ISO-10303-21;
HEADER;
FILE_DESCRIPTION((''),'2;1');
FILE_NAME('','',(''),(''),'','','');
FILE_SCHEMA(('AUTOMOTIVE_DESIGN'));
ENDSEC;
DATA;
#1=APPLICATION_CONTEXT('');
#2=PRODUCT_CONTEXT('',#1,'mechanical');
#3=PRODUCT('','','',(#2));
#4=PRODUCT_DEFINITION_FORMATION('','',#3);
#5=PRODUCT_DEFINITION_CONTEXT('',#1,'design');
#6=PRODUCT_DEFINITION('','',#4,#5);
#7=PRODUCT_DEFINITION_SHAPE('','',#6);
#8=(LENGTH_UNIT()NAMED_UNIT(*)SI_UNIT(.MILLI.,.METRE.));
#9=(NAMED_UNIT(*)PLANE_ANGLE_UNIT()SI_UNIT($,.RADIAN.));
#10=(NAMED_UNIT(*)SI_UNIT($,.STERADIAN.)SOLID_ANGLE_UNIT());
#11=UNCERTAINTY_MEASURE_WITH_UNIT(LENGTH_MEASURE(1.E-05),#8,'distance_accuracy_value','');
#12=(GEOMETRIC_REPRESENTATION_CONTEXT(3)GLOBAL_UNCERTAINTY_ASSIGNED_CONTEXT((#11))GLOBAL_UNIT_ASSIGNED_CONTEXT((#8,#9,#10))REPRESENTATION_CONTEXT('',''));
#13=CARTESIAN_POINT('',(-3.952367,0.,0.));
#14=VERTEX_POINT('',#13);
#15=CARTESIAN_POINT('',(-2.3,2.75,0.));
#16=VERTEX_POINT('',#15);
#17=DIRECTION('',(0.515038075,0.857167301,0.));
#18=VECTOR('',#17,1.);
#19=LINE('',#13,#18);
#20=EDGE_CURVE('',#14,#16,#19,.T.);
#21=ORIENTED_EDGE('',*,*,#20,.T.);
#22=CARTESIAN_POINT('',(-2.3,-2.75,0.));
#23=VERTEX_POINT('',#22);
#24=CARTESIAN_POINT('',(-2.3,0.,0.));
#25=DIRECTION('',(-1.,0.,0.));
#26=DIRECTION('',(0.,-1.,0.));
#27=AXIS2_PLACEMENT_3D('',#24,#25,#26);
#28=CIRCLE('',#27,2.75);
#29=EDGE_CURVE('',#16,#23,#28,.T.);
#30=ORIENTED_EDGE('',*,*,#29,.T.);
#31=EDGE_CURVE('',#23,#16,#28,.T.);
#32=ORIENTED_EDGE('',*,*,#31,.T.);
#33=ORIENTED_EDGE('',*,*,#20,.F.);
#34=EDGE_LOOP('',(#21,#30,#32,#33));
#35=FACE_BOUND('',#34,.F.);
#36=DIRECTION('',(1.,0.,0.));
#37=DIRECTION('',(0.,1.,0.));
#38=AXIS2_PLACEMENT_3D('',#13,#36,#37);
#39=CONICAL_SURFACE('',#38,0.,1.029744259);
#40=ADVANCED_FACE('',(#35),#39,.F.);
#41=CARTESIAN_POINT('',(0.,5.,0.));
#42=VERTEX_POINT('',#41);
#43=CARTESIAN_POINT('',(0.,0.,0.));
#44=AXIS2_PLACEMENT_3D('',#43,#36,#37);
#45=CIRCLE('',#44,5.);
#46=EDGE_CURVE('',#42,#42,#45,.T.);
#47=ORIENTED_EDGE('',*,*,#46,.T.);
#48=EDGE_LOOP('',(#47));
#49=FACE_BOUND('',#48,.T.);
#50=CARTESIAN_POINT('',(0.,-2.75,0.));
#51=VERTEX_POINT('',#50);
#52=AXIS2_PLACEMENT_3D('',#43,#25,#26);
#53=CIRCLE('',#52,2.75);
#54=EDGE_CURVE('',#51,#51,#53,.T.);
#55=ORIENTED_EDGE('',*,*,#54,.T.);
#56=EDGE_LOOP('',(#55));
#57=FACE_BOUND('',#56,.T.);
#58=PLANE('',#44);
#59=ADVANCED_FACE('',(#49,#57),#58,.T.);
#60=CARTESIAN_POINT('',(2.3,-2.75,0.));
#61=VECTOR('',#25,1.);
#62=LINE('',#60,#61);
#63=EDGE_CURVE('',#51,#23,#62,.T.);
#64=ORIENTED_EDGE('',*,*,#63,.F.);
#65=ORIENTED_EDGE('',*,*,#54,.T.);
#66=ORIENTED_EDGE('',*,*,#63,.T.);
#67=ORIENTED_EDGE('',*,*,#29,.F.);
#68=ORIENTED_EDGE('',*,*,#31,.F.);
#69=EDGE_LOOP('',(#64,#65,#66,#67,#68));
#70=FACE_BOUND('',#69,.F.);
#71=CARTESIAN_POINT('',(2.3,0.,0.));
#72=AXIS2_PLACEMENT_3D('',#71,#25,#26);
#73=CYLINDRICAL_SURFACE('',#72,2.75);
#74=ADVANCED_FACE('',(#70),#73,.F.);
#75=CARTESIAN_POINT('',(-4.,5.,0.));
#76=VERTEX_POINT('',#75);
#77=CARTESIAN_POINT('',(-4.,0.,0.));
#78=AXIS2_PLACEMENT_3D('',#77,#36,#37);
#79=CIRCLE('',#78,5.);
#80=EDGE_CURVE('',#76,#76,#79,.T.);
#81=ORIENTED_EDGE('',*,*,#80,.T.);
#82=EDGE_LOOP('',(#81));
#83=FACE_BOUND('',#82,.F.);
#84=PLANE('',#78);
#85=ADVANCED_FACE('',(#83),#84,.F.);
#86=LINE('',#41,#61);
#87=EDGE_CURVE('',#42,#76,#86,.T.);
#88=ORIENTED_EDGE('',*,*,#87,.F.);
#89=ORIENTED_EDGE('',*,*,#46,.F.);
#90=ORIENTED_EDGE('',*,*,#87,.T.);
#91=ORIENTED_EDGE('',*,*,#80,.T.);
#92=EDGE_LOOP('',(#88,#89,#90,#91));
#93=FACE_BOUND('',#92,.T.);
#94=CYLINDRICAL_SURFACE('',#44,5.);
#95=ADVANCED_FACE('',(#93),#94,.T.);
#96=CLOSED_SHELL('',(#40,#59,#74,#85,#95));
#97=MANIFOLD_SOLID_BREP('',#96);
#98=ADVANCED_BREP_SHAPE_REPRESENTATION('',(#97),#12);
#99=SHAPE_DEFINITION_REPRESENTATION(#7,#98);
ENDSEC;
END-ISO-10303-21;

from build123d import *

# Parameters (mm, degrees)
F0_R     = 5
F1_DEPTH = 4
F2_D     = 5.5
F2_DEPTH = 2.3
F2_TIP   = 1.6523667023


with BuildPart() as f1:
    # F0 (on Right) → F1 (new body)
    with BuildSketch(Plane.YZ):
        Circle(F0_R)
    extrude(amount=-F1_DEPTH)

    # F2
    with Locations(Plane.YZ):
        with Locations((0, 0)):
            Hole(F2_D / 2, depth=F2_DEPTH)
            with Locations((0, 0, -(F2_DEPTH + F2_TIP / 2))):  # 118° drill point
                Cone(0, F2_D / 2, F2_TIP, mode=Mode.SUBTRACT)


solid = f1.part
